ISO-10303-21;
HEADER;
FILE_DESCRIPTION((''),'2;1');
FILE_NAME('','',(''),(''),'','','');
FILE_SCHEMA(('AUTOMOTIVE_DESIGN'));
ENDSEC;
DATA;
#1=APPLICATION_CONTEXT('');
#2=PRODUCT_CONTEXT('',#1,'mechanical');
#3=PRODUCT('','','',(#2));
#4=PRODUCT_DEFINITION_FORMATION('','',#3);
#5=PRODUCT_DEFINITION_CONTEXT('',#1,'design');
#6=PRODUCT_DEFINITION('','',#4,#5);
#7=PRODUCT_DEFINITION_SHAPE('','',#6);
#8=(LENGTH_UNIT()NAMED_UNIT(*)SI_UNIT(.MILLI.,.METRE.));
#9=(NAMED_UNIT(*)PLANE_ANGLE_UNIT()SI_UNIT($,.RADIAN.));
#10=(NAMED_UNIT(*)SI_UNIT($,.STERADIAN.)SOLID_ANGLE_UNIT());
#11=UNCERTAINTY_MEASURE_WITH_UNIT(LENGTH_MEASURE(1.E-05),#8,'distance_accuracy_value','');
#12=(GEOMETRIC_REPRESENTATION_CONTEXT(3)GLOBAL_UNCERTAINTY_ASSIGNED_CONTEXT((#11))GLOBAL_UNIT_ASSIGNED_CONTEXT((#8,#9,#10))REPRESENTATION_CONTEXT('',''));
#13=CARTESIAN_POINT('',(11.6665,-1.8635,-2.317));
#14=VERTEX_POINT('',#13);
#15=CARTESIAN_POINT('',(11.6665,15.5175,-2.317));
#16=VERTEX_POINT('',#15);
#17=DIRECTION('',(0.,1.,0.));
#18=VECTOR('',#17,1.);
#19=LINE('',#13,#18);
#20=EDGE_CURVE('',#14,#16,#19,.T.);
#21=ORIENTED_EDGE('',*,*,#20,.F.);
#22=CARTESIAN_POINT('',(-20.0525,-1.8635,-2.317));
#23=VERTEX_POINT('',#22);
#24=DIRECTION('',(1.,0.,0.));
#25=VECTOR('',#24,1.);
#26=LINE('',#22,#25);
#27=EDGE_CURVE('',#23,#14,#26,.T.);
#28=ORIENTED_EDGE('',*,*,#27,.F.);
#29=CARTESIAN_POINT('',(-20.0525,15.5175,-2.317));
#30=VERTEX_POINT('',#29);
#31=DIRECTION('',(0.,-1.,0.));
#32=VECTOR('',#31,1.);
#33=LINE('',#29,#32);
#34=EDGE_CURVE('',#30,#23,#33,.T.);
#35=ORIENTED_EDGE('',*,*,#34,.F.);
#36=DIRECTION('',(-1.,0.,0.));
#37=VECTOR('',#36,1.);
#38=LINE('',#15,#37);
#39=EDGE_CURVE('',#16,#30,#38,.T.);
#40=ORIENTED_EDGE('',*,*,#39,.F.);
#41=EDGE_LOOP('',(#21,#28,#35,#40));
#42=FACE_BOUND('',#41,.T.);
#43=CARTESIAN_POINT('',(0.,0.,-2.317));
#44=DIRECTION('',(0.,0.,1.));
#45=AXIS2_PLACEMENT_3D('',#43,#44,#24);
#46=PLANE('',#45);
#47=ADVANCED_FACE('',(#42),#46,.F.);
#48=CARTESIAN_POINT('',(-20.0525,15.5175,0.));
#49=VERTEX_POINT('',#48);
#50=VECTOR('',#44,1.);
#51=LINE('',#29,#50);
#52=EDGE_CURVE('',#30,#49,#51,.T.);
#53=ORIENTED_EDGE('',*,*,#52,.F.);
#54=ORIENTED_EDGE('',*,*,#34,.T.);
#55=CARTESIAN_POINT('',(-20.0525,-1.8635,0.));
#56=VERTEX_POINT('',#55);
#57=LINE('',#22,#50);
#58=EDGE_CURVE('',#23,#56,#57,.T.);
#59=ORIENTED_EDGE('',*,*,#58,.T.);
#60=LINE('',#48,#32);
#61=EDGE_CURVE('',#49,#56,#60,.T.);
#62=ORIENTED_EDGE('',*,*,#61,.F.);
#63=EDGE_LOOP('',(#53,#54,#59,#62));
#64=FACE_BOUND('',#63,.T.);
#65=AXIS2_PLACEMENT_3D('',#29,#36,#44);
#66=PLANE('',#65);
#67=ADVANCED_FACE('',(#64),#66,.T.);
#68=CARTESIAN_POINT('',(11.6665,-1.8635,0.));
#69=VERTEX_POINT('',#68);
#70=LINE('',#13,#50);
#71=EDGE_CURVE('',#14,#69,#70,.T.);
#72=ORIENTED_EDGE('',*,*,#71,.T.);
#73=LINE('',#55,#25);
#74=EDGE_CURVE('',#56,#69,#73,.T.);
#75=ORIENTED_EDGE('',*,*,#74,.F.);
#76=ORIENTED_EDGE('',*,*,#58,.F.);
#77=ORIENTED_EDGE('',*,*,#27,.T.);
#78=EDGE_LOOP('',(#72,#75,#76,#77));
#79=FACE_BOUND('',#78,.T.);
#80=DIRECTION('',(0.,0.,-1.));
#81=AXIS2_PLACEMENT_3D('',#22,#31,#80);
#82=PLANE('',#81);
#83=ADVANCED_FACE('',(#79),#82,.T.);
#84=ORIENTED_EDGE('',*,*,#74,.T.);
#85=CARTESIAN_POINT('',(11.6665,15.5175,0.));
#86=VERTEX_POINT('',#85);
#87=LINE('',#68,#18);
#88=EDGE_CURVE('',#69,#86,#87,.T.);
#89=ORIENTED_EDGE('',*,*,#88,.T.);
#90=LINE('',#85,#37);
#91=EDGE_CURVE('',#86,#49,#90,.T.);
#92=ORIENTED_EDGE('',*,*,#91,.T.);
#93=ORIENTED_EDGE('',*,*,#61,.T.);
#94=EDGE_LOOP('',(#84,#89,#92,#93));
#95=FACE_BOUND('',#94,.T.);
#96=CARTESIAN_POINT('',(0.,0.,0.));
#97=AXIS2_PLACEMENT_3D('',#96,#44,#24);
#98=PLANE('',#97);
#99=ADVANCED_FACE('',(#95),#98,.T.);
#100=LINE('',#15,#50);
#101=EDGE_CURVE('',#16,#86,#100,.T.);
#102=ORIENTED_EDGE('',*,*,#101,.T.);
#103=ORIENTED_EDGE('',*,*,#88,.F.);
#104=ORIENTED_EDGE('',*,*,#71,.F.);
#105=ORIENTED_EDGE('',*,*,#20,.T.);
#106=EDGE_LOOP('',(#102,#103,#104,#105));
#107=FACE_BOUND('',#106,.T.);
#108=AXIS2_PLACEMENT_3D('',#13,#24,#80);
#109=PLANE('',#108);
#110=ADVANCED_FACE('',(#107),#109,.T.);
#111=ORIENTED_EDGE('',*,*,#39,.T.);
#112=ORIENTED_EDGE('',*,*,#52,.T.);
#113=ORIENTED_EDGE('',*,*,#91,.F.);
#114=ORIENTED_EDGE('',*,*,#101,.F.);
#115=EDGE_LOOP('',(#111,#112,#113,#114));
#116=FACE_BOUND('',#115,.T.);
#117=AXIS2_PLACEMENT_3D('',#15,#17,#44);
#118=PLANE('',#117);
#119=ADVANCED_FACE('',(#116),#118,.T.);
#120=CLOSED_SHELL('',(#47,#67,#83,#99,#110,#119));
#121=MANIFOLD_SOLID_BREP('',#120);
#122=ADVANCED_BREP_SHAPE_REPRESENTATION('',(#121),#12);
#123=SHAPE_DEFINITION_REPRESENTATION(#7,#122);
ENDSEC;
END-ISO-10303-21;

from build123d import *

# Parameters (mm, degrees)
CURVESKETCH_W   = 31.719
CURVESKETCH_H   = 17.381
CURVEBOSS_DEPTH = 2.317


with BuildPart() as part:
    # CurveSketch → CurveBoss (new body)
    with BuildSketch(Plane.XY):
        with Locations((-4.193, 6.827)):
            Rectangle(CURVESKETCH_W, CURVESKETCH_H)
    extrude(amount=-CURVEBOSS_DEPTH)


solid = part.part
